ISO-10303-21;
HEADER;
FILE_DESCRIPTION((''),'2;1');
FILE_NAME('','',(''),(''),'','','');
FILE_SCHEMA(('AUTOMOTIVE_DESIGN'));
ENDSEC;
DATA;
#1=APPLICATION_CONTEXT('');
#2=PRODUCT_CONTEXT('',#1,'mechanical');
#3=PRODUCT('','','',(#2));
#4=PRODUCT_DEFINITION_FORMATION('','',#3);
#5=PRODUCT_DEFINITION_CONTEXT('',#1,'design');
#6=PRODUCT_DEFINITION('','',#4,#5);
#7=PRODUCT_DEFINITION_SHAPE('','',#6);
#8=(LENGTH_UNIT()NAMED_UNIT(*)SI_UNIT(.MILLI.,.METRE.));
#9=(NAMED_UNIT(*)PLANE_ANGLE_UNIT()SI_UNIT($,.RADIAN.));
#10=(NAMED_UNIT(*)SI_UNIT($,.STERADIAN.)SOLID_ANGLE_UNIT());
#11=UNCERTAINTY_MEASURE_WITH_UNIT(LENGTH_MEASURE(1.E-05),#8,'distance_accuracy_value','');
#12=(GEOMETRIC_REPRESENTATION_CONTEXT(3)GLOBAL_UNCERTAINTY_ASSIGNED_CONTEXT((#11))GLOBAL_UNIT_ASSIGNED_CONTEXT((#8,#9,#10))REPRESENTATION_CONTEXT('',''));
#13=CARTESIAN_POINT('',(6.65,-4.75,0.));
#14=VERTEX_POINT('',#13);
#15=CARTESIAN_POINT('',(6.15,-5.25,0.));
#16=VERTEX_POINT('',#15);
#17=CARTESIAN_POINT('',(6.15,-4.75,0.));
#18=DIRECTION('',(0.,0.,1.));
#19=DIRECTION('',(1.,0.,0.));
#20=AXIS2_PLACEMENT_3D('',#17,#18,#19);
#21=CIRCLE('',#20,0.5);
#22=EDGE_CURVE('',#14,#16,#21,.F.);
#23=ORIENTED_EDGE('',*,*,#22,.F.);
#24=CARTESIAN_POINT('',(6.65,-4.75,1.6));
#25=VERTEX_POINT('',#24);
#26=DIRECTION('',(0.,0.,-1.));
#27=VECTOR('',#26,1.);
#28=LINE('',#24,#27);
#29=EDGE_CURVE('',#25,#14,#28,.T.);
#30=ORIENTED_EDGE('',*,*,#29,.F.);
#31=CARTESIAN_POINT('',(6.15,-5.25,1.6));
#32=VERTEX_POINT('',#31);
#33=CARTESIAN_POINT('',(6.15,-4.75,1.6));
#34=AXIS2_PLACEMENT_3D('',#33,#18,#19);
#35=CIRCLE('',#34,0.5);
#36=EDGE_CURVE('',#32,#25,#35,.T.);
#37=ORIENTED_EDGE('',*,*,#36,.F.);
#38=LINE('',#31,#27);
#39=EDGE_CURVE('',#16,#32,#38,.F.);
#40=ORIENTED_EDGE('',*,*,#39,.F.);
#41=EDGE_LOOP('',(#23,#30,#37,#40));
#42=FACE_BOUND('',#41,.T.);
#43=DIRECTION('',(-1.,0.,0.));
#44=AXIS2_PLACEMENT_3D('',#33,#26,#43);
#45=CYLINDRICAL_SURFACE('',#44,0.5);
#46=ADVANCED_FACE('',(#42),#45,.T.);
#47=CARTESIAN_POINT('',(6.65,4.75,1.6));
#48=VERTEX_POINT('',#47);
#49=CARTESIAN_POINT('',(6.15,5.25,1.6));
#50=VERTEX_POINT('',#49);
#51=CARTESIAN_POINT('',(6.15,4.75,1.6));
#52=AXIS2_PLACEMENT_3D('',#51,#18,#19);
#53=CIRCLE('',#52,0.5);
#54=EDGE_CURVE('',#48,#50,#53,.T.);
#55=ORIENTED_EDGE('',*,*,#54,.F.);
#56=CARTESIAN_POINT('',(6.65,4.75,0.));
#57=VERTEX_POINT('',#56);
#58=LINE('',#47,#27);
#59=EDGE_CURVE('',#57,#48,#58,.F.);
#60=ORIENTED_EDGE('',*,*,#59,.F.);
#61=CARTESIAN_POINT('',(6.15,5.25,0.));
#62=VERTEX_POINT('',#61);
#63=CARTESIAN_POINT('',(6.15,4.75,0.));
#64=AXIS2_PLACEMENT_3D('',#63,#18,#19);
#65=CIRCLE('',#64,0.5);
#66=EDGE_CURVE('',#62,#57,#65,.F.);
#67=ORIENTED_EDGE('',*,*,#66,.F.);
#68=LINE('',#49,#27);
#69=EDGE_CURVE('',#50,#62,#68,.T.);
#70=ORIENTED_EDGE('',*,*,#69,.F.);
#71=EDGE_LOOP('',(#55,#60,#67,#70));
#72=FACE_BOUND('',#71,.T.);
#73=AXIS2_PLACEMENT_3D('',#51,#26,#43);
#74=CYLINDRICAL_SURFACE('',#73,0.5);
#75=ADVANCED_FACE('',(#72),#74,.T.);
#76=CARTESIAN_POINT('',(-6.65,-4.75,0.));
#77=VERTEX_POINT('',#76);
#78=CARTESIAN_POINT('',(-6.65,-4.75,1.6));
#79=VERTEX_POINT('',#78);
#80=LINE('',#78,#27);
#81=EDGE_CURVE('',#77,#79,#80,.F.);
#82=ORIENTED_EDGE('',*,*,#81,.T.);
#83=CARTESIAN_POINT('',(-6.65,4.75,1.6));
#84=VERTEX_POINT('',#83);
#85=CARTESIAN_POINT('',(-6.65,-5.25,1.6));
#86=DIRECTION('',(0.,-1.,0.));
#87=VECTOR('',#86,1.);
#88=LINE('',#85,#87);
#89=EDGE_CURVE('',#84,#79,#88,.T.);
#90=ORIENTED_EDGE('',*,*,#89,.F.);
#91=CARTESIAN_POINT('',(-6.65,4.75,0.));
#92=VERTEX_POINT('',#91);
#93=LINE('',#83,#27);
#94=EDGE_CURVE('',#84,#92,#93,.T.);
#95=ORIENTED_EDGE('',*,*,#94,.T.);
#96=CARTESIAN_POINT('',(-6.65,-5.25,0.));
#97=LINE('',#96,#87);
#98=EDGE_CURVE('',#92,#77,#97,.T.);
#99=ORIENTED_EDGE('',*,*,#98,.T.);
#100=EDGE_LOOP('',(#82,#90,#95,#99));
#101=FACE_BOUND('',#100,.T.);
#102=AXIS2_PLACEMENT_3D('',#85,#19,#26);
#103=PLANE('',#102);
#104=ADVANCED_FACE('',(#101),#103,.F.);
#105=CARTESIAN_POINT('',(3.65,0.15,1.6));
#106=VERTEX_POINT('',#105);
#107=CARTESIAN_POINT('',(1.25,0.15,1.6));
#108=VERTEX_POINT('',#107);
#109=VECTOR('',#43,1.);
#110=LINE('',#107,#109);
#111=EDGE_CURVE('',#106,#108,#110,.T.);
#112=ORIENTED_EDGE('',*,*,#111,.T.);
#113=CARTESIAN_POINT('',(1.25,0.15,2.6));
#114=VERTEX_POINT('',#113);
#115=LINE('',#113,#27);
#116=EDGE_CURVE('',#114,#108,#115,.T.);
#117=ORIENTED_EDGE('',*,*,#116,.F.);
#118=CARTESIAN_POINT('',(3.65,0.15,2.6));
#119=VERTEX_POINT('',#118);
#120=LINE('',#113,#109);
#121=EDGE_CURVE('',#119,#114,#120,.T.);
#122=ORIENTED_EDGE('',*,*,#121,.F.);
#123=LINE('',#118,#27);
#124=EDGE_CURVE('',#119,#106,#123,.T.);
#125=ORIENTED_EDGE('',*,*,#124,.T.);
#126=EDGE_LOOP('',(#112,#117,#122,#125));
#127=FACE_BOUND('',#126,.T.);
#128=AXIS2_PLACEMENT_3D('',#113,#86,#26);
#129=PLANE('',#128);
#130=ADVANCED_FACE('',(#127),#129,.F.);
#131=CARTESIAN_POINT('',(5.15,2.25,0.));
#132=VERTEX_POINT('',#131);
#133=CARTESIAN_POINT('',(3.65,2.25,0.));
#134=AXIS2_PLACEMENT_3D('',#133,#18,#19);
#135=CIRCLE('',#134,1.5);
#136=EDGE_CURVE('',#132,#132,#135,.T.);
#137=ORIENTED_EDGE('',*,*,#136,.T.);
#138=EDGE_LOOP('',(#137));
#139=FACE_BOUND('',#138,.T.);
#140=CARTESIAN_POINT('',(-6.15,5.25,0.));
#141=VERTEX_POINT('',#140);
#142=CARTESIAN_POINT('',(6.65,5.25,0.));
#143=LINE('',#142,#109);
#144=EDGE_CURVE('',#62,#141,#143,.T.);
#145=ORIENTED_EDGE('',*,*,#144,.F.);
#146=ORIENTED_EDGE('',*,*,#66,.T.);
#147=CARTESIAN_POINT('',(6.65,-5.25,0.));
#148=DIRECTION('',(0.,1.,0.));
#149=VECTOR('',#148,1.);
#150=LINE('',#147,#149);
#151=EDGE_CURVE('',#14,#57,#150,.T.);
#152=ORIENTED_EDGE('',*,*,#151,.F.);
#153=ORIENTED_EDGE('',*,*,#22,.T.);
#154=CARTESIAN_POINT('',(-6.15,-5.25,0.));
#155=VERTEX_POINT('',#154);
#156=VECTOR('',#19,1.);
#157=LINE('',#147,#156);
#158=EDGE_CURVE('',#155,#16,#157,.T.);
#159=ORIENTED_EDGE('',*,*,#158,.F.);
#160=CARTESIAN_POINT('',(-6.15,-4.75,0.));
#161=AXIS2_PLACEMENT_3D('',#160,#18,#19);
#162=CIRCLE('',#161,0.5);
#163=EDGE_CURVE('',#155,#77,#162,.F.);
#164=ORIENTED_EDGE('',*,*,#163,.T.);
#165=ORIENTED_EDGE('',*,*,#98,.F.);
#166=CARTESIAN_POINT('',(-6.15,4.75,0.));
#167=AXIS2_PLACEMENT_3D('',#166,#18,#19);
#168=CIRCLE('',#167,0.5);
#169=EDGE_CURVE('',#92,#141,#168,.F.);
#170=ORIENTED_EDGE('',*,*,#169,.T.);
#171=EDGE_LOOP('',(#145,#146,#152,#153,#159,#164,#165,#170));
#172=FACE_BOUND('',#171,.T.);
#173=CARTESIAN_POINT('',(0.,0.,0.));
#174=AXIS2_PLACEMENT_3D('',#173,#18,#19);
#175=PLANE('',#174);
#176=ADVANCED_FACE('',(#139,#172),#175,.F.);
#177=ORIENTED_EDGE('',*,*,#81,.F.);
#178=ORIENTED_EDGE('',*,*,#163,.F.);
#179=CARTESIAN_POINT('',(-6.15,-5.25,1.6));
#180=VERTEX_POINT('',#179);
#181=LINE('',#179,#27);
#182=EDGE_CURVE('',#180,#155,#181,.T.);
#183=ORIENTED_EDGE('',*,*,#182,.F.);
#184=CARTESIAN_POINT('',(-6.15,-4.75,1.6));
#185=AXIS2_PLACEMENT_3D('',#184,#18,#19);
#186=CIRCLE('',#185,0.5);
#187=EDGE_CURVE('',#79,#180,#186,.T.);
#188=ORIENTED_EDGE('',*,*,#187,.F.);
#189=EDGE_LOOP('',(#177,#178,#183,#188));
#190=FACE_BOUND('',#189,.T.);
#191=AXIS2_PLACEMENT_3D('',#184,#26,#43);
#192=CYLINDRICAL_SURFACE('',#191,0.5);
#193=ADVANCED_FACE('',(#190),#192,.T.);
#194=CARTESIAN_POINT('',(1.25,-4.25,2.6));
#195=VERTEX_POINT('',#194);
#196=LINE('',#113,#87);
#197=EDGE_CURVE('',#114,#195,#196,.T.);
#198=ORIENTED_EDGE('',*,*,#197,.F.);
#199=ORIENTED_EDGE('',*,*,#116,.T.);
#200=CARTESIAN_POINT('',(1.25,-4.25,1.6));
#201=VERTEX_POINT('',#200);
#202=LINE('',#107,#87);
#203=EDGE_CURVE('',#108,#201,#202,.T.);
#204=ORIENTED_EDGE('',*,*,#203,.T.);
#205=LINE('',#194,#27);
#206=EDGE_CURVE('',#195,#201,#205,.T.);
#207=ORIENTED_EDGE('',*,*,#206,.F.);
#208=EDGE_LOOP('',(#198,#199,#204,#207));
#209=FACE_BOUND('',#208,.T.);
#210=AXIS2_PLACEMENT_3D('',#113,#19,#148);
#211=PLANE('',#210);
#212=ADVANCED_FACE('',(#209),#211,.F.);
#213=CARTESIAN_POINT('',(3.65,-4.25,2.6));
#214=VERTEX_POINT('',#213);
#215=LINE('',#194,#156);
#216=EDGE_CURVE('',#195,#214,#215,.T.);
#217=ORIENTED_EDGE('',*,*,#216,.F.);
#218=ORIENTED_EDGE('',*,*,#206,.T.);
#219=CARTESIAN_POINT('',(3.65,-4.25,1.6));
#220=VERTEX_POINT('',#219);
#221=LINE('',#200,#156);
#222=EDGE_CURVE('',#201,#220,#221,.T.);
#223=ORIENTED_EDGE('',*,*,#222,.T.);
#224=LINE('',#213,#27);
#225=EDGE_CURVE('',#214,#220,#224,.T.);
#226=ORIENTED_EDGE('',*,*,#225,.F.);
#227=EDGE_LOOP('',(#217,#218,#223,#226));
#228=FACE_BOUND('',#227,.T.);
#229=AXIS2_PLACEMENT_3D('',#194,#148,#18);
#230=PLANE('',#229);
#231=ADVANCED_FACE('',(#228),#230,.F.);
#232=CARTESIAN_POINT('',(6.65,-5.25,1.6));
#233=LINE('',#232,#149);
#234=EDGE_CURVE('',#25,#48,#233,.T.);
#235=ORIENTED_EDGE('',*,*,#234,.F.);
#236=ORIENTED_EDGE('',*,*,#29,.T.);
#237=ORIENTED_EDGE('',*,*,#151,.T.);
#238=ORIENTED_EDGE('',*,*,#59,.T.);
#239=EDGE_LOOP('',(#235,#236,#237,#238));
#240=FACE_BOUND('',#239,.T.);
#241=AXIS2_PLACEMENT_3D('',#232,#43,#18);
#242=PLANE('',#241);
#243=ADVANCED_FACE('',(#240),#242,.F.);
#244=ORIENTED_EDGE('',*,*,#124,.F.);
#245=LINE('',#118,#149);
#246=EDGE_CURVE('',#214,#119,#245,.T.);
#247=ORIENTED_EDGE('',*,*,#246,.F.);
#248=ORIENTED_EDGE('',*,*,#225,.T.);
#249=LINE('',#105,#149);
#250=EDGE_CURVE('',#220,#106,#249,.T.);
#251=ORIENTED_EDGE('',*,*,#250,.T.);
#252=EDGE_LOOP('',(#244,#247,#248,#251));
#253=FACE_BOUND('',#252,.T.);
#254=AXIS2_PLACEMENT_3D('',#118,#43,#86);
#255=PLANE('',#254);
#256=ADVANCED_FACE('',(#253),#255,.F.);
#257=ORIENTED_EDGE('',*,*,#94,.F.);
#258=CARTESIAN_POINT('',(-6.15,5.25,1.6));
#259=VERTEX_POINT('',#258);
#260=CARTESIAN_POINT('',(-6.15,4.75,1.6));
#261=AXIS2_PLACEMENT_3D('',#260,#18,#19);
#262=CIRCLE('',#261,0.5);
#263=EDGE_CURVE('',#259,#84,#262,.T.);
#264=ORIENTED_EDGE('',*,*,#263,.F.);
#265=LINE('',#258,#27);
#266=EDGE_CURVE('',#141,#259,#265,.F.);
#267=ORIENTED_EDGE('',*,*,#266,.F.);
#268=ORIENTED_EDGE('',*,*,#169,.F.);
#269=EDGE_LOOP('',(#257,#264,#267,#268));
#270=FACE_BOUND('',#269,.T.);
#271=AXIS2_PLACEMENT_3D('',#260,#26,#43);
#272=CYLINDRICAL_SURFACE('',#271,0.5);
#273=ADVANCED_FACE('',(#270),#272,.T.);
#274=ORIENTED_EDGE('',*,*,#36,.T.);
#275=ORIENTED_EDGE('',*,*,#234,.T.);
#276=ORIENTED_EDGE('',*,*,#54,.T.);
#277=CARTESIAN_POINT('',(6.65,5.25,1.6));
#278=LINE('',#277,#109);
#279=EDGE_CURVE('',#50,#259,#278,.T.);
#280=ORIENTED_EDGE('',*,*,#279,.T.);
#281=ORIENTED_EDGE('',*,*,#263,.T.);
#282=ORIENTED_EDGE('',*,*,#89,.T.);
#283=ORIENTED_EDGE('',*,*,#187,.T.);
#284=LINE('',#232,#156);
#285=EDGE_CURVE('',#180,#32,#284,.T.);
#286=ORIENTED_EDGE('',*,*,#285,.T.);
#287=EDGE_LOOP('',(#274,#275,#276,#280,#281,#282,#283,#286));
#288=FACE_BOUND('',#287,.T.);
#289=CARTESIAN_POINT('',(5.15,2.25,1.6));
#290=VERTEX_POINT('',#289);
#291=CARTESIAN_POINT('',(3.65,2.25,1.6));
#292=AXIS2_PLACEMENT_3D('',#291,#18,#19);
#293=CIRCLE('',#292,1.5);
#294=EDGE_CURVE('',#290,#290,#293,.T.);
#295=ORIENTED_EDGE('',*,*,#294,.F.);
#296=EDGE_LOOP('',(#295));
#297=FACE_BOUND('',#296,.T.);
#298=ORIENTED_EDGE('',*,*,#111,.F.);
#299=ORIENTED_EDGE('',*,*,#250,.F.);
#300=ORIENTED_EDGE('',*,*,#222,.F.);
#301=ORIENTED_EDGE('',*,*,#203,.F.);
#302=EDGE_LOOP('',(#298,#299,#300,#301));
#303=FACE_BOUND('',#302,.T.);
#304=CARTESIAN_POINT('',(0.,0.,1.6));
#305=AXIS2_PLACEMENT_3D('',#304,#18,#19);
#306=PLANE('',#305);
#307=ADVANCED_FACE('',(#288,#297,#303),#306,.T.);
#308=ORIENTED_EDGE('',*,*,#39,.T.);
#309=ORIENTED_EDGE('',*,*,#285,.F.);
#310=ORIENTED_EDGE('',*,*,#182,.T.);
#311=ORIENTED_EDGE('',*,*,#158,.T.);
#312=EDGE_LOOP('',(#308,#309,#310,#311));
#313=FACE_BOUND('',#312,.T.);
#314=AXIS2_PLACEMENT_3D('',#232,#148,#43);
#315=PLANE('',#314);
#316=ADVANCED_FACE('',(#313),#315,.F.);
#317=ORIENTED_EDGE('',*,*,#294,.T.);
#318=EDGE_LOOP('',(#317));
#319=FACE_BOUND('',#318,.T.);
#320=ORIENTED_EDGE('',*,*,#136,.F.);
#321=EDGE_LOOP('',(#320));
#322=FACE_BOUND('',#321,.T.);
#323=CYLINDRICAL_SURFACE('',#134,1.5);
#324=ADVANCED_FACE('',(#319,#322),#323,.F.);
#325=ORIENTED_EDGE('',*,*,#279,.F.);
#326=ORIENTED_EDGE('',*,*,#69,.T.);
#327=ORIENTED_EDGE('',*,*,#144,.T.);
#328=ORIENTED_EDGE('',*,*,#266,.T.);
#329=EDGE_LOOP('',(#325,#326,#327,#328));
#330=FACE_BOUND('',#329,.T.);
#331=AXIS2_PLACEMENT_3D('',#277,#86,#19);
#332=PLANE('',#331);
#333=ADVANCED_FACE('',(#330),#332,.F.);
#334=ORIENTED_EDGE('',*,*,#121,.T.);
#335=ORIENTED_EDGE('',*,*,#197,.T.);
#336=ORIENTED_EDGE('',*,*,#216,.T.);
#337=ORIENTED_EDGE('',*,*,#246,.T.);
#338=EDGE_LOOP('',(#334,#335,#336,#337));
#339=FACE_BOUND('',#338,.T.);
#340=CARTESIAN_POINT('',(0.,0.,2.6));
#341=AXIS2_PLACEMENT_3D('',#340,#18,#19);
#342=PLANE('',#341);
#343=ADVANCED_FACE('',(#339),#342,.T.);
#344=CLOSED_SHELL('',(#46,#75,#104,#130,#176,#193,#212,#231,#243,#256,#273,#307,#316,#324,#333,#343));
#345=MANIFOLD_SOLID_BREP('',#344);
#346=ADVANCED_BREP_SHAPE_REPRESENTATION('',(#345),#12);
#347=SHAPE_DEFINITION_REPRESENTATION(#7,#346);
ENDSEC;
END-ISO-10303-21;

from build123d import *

# Parameters (mm, degrees)
SKETCH1_W           = 13.3
SKETCH1_H           = 10.5
BOSS_EXTRUDE1_DEPTH = 1.6
SKETCH2_R           = 1.5
CUT_EXTRUDE1_DEPTH  = 1.6
SKETCH3_W           = 2.4
SKETCH3_H           = 4.4
BOSS_EXTRUDE2_DEPTH = 1
FILLET1_R           = 0.5


with BuildPart() as part:
    # Sketch1 → Boss-Extrude1 (new body)
    with BuildSketch(Plane.XY):
        Rectangle(SKETCH1_W, SKETCH1_H)
    extrude(amount=BOSS_EXTRUDE1_DEPTH)

    # Sketch2 → Cut-Extrude1 (cut)
    with BuildSketch(Plane.XY.offset(1.6)):
        with Locations((3.65, 2.25)):
            Circle(SKETCH2_R)
    extrude(amount=-CUT_EXTRUDE1_DEPTH, mode=Mode.SUBTRACT)

    # Sketch3 → Boss-Extrude2 (add)
    with BuildSketch(Plane.XY.offset(1.6)):
        with Locations((2.45, -2.05)):
            Rectangle(SKETCH3_W, SKETCH3_H)
    extrude(amount=BOSS_EXTRUDE2_DEPTH)

    # Fillet1
    fillet1_edges = [part.edges().sort_by_distance(p)[0] for p in [
        (-6.65, 5.25, 0.8),
        (6.65, 5.25, 0.8),
        (6.65, -5.25, 0.8),
        (-6.65, -5.25, 0.8),
    ]]
    fillet(fillet1_edges, radius=FILLET1_R)


solid = part.part
